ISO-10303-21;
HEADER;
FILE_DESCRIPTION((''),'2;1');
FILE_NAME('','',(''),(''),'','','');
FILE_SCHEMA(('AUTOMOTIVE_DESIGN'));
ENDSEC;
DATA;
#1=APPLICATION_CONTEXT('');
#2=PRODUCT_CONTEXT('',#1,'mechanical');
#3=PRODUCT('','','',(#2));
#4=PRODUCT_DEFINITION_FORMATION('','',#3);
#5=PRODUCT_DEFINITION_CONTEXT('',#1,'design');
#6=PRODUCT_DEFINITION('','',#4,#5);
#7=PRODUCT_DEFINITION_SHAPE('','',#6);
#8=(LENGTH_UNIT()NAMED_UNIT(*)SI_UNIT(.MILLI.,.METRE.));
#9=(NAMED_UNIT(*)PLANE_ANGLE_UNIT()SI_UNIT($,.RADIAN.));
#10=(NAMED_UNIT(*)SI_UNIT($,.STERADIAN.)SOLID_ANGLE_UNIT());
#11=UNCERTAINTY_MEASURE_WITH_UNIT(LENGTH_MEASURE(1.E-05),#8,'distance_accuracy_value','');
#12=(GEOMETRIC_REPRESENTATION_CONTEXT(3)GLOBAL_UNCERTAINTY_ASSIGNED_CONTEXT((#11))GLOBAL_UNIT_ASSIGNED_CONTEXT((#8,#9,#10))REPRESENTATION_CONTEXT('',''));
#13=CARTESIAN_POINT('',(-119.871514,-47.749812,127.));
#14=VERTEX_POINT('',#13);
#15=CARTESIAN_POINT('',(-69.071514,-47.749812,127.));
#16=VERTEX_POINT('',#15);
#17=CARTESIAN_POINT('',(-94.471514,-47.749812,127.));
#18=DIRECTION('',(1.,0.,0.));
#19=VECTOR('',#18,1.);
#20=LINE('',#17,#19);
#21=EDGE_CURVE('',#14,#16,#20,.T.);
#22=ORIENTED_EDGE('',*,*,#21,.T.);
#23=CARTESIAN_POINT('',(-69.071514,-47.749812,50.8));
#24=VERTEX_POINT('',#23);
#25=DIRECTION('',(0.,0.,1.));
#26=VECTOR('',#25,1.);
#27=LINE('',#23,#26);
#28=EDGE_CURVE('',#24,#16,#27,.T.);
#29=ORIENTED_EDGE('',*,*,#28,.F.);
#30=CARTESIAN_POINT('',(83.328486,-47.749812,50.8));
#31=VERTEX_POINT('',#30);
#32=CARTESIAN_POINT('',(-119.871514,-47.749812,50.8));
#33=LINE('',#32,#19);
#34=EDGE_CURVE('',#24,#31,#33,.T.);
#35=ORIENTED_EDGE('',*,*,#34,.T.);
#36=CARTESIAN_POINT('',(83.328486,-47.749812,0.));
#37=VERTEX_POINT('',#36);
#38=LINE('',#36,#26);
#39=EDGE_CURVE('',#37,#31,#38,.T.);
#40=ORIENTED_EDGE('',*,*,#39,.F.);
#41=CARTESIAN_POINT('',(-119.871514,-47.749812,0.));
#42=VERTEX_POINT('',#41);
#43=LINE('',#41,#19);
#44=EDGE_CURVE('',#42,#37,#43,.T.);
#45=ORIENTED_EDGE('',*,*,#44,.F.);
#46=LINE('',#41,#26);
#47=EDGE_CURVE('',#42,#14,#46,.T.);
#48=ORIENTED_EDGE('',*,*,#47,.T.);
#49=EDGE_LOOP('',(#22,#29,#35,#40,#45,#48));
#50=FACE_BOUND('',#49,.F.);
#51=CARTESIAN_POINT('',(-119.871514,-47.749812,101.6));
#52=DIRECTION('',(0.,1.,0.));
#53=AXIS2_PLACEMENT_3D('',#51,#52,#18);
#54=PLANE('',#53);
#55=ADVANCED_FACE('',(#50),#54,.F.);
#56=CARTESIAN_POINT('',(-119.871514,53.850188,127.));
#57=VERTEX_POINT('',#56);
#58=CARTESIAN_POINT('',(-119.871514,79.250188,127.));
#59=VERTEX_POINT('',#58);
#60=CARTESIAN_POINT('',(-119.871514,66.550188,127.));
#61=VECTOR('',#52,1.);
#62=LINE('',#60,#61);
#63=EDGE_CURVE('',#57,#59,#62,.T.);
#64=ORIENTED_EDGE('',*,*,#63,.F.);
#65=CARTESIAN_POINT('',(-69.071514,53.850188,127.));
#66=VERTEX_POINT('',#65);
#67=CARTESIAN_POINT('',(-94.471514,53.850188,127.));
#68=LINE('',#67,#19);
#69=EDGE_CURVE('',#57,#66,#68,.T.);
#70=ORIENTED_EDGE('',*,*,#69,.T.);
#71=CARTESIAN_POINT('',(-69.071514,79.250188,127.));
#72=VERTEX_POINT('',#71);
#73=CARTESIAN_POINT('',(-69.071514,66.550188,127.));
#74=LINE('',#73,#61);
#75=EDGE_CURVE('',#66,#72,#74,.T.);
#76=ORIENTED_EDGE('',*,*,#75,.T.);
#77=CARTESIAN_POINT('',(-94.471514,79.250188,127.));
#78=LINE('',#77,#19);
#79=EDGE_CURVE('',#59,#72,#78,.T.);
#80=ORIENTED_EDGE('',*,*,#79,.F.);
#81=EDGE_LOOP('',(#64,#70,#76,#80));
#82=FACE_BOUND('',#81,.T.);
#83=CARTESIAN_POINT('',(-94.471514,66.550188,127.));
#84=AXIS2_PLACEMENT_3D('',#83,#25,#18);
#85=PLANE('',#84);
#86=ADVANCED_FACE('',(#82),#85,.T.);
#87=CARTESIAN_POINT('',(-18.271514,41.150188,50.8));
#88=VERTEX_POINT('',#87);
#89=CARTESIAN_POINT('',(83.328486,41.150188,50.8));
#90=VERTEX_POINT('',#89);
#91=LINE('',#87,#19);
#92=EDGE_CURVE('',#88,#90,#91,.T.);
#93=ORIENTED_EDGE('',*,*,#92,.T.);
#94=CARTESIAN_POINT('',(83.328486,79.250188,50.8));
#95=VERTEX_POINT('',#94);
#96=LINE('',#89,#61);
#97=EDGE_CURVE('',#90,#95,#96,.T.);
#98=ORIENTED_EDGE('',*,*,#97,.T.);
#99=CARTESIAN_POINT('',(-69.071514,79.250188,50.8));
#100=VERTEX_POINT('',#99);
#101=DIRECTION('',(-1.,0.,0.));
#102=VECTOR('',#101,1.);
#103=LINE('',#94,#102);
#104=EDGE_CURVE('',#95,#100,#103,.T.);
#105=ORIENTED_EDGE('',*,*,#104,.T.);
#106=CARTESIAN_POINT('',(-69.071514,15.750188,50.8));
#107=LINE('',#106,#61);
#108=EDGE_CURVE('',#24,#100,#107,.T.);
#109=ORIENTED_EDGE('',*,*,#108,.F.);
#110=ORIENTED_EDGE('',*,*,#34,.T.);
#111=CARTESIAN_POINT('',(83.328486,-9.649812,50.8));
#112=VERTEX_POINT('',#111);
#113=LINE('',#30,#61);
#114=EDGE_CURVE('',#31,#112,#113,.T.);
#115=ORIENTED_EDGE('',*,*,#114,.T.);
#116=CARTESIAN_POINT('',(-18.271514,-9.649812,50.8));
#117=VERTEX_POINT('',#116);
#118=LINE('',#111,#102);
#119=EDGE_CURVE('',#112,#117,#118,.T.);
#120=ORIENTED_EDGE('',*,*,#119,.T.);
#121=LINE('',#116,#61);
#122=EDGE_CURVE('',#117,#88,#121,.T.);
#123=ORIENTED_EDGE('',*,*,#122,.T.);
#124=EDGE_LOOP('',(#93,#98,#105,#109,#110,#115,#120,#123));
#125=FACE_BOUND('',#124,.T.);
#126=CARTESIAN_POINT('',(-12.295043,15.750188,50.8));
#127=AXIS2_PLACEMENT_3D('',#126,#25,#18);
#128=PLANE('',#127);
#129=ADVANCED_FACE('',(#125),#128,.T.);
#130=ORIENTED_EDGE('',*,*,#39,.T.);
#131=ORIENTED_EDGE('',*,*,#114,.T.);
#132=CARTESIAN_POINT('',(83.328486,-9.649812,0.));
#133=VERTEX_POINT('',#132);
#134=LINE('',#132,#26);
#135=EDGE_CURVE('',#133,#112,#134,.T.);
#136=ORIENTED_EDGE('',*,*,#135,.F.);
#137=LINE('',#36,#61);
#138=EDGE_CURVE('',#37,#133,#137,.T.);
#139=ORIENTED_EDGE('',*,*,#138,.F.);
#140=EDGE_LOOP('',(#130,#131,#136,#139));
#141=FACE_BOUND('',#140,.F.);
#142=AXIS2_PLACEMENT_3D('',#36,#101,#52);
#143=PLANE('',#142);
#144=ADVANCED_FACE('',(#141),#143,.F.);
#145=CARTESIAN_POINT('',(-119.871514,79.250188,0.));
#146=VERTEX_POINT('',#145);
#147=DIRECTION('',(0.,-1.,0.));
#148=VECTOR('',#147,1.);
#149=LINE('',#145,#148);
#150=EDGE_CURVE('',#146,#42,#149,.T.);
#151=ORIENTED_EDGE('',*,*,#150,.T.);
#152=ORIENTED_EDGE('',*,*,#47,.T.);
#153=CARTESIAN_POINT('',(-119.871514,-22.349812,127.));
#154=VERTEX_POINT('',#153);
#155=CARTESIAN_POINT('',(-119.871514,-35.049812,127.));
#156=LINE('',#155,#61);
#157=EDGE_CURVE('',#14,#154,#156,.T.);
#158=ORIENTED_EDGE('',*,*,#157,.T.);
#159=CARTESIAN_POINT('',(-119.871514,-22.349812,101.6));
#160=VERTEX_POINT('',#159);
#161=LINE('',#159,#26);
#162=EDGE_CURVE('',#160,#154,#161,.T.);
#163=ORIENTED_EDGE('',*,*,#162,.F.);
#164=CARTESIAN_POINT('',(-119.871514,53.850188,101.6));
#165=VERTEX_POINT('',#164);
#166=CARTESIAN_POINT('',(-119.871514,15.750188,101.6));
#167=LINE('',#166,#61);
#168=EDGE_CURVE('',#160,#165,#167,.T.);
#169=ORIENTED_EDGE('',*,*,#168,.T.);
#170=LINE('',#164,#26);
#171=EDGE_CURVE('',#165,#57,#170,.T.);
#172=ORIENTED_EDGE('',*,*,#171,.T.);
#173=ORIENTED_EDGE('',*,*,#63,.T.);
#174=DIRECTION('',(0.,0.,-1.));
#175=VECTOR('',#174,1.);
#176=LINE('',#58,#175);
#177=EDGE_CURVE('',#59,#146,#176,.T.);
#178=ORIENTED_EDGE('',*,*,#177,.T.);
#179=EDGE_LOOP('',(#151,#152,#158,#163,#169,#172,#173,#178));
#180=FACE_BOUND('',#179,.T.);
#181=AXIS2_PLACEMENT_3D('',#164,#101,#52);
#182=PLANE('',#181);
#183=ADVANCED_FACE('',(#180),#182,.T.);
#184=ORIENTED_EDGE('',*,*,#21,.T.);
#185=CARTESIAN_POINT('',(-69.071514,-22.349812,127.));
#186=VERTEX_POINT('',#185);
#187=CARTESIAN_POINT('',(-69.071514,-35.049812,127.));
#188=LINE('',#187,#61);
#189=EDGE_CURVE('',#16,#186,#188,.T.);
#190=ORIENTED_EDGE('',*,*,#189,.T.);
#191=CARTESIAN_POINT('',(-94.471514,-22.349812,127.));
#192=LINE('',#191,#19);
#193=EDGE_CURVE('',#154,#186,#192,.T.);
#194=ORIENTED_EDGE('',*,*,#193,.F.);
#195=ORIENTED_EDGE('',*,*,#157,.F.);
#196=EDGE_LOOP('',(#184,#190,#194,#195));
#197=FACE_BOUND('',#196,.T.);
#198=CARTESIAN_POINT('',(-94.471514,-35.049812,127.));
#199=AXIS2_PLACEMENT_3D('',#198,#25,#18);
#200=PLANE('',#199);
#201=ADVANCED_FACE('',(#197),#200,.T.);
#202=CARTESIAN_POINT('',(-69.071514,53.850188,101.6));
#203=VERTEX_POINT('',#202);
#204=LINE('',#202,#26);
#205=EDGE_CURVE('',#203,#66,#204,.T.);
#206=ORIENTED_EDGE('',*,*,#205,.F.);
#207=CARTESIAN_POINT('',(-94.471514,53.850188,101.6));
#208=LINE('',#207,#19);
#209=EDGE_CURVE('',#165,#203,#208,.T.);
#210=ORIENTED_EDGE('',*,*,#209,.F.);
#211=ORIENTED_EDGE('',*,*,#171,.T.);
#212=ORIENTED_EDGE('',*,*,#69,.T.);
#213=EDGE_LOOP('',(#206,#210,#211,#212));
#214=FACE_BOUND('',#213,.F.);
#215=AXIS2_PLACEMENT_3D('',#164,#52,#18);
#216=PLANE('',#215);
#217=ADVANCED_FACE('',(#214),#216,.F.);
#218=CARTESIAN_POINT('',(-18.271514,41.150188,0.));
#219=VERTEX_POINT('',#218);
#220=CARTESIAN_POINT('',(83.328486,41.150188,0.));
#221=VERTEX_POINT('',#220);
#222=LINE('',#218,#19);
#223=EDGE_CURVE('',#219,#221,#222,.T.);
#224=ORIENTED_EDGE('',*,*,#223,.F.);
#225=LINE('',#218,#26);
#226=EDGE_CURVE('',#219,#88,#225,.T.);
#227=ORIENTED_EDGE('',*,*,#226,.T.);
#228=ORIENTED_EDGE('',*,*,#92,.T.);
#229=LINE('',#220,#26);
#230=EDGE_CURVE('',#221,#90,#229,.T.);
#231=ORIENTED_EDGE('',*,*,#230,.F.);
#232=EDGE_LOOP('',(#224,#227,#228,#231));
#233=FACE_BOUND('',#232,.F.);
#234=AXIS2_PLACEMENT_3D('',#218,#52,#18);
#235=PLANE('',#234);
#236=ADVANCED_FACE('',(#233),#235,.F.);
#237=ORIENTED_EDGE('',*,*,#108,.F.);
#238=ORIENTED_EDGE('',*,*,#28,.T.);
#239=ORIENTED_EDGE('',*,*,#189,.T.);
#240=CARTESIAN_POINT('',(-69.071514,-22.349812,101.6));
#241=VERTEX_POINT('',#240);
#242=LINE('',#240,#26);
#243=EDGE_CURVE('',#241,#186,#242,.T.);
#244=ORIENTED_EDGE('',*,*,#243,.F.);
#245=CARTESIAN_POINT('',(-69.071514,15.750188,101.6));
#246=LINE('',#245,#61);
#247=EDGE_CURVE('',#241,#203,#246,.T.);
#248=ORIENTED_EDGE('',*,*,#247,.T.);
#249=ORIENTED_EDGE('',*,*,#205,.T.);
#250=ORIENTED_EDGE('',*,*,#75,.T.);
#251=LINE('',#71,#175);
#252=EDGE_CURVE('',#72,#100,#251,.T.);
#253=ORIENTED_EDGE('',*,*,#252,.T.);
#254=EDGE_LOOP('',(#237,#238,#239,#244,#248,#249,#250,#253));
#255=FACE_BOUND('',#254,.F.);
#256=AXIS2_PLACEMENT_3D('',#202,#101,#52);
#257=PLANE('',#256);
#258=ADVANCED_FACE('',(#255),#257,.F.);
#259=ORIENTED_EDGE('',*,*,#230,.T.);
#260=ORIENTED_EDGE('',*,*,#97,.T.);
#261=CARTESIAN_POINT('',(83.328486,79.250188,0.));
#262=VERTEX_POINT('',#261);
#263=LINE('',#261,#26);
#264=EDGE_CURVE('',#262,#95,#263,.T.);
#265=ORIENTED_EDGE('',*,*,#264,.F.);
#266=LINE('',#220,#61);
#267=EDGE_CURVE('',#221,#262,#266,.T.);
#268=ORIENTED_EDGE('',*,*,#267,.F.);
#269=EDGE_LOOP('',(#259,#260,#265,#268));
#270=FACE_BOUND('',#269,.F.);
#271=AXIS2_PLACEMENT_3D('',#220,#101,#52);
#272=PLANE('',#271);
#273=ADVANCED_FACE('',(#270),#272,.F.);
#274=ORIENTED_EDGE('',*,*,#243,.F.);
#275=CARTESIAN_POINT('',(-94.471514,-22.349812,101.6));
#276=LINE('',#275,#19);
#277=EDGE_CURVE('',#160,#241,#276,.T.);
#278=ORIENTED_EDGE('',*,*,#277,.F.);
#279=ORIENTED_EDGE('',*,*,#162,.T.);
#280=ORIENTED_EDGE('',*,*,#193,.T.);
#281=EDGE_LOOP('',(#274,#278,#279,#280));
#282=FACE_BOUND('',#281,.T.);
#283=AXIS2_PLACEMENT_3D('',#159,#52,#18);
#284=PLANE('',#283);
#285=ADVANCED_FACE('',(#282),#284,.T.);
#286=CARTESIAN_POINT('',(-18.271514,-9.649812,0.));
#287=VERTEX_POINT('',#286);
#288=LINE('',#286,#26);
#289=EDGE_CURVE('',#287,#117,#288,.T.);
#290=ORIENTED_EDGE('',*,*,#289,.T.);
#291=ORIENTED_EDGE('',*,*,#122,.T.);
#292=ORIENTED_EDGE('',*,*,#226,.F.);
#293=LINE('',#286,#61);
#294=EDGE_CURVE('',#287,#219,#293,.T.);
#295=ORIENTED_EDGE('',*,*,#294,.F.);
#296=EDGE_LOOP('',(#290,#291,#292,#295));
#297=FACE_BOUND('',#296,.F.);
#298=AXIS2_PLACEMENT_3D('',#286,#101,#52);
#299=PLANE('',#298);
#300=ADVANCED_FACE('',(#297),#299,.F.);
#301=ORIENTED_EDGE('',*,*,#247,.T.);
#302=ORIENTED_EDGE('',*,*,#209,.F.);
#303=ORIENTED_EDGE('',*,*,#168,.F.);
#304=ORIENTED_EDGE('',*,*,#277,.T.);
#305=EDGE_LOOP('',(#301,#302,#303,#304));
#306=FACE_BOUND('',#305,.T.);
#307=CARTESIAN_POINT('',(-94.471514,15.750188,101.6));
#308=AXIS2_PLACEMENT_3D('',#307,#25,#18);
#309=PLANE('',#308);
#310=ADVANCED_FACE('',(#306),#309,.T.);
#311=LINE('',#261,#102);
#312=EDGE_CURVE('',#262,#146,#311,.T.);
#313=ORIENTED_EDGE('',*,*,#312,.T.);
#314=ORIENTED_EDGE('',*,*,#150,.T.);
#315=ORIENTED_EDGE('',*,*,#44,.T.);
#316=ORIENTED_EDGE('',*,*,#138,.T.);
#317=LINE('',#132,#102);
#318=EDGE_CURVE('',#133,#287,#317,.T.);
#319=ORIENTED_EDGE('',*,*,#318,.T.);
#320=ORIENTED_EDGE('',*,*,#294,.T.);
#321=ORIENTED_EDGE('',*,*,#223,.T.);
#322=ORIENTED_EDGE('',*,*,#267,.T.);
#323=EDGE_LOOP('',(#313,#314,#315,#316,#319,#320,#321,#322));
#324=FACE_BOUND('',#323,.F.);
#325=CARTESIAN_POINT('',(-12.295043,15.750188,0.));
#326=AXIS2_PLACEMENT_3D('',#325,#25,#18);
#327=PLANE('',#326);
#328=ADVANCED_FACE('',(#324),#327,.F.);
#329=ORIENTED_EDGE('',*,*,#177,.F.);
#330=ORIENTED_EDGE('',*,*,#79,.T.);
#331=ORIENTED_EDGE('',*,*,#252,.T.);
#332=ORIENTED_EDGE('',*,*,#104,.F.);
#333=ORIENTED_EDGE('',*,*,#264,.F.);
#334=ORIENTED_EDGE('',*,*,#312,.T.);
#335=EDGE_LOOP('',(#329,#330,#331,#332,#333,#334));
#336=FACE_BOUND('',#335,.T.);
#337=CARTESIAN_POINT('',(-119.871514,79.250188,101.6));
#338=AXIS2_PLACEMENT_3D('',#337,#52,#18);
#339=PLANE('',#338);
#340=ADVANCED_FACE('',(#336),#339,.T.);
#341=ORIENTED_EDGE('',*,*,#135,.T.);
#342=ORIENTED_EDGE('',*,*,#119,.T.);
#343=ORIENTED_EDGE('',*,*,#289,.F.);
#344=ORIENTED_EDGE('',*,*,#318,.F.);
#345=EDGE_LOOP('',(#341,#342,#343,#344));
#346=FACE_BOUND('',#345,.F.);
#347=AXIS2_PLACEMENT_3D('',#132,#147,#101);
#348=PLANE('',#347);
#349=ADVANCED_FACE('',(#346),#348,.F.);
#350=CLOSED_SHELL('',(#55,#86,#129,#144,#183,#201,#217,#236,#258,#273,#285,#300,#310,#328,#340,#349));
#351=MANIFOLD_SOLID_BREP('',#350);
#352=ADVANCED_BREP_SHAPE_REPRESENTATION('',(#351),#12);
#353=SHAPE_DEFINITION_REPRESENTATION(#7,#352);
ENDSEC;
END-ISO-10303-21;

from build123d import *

# Parameters (mm, degrees)
F1_DEPTH = 50.8
F2_W     = 50.8
F2_H     = 127
F3_DEPTH = 50.8
F4_W     = 50.8
F4_H     = 25.4
F5_DEPTH = 25.4
F6_W     = 50.8
F6_H     = 25.4
F7_DEPTH = 25.4


with BuildPart() as f1:
    # F0 (on Top) → F1 (new body)
    with BuildSketch(Plane.XY):
        Polygon((83.328486, 79.250188), (-119.871514, 79.250188), (-119.871514, -47.749812), (83.328486, -47.749812), (83.328486, -9.649812), (-18.271514, -9.649812), (-18.271514, 41.150188), (83.328486, 41.150188), align=None)
    extrude(amount=F1_DEPTH)

    # F2 (on face) → F3 (join)
    with BuildSketch(Plane.XY.offset(50.8)):
        with Locations((-94.471514, 15.750188)):
            Rectangle(F2_W, F2_H)
    extrude(amount=F3_DEPTH)

    # F4 (on face) → F5 (join)
    with BuildSketch(Plane.XY.offset(101.6)):
        with Locations((-94.471514, -35.049812)):
            Rectangle(F4_W, F4_H)
    extrude(amount=F5_DEPTH)

    # F6 (on face) → F7 (join)
    with BuildSketch(Plane.XY.offset(101.6)):
        with Locations((-94.471514, 66.550188)):
            Rectangle(F6_W, F6_H)
    extrude(amount=F7_DEPTH)


solid = f1.part
